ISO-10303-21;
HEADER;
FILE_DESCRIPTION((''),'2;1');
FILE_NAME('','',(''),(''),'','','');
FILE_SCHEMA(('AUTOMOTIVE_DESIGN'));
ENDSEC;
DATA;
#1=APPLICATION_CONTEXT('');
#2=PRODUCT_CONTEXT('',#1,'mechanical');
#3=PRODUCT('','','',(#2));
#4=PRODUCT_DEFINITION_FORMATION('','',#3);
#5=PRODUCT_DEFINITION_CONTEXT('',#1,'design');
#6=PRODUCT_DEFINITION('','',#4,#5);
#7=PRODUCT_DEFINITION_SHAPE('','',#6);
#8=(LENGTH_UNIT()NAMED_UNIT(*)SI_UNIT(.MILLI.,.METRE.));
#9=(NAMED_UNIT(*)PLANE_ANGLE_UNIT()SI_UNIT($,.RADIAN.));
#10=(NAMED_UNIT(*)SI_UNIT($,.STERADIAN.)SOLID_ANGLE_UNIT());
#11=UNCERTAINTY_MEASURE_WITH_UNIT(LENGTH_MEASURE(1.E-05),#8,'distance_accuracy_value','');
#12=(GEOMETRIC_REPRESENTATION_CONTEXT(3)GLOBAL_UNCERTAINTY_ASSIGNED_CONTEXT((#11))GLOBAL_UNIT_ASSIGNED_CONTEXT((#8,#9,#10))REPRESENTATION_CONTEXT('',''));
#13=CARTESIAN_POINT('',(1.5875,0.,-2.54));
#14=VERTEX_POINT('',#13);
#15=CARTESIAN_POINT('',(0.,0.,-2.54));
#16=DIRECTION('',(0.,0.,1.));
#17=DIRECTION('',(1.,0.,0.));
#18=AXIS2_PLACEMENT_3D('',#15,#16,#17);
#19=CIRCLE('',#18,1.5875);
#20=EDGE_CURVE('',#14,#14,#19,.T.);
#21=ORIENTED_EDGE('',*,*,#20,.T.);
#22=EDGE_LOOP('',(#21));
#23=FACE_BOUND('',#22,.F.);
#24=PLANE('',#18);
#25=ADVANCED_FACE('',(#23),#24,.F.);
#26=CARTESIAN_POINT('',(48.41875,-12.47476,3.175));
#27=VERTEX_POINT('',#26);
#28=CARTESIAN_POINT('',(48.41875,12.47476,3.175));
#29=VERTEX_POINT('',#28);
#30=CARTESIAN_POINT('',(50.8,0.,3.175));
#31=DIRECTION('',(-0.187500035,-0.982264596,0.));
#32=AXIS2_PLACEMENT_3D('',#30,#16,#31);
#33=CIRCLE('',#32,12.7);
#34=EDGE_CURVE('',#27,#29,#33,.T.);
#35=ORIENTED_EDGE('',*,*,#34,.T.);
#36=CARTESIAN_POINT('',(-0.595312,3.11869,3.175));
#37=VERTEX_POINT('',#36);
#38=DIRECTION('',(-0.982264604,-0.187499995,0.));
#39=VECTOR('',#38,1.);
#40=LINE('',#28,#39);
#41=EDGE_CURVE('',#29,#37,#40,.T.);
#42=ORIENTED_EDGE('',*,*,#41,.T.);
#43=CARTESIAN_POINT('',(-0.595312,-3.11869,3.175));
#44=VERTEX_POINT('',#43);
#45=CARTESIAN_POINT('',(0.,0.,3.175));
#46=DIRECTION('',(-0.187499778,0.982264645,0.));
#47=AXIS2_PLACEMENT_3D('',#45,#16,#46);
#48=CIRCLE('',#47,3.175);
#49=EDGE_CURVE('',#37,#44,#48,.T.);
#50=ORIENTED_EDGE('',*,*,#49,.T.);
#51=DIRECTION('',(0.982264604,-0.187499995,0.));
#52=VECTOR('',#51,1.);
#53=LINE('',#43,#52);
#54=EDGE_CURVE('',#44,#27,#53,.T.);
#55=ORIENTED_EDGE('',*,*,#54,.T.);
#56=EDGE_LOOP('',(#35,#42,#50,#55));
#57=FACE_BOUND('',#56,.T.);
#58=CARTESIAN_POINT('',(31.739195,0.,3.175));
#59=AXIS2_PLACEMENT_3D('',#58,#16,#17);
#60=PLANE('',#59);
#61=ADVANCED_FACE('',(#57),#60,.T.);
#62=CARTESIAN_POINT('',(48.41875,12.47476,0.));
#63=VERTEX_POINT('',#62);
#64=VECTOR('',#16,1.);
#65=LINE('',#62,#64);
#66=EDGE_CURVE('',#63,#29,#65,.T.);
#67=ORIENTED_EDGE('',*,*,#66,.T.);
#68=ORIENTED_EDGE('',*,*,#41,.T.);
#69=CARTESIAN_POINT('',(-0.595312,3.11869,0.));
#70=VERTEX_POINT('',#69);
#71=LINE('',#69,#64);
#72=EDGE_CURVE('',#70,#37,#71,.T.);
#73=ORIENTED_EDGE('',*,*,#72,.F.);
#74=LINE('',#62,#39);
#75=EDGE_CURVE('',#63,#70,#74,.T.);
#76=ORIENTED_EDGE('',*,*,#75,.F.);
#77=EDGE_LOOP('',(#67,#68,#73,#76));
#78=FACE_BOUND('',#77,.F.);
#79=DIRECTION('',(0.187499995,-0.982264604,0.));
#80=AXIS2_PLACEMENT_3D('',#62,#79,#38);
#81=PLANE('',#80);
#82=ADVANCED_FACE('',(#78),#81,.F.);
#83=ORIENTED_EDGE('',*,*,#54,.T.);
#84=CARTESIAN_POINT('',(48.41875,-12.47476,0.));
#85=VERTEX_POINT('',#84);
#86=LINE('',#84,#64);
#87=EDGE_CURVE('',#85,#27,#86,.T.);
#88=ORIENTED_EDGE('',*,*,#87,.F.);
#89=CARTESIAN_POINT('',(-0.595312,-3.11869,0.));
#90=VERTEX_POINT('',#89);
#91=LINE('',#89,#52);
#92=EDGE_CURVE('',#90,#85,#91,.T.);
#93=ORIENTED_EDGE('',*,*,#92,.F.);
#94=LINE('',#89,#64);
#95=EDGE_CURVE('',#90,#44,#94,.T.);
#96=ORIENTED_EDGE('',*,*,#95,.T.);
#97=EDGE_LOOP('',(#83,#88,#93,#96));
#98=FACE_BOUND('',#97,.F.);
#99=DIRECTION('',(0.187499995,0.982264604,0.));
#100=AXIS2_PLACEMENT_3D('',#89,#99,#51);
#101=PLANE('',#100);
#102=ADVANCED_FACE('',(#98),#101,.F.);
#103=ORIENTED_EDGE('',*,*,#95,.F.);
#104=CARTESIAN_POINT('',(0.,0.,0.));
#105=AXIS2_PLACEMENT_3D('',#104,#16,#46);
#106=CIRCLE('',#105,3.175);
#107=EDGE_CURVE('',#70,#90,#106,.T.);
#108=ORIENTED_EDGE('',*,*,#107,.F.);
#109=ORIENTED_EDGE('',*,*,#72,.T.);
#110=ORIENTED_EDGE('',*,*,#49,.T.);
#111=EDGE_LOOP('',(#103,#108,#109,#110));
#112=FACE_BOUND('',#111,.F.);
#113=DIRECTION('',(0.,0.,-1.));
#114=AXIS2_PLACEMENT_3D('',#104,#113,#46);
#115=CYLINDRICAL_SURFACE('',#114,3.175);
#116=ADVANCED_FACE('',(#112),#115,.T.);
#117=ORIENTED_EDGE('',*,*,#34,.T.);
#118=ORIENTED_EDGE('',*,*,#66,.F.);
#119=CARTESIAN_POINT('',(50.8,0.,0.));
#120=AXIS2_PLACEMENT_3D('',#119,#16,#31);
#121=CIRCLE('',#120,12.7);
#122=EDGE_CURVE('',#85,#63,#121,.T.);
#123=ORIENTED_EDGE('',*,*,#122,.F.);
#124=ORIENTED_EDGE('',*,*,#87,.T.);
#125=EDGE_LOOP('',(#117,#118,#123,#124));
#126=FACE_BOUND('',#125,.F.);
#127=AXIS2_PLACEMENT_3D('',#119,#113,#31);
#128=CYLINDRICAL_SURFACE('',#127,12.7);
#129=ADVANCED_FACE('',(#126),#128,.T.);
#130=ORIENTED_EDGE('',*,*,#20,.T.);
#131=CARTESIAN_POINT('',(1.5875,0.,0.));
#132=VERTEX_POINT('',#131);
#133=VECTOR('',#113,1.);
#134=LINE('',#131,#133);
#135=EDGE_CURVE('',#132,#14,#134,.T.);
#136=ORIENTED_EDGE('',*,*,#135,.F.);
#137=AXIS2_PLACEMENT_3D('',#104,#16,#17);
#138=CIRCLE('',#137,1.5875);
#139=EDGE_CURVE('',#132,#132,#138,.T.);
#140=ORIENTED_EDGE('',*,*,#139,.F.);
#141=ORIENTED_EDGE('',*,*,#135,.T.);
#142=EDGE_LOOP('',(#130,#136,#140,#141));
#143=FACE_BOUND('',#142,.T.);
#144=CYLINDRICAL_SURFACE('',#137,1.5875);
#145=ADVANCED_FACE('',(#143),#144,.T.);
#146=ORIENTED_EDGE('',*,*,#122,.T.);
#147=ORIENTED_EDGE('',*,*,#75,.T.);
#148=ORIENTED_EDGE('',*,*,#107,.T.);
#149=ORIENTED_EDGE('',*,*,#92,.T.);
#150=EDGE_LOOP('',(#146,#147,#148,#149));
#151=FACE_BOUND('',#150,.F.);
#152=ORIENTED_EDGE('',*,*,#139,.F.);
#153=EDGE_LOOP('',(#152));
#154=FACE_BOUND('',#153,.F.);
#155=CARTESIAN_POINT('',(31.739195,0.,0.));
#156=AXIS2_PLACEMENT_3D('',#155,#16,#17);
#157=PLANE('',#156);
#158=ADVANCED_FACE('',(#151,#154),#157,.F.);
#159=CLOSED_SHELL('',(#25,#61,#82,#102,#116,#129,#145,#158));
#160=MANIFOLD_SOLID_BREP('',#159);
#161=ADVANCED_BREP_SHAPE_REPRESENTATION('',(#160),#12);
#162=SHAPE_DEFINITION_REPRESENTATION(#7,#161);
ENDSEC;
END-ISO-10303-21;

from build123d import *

# Parameters (mm, degrees)
F0_R     = 1.5875
F1_DEPTH = 3.175
F2_DEPTH = 2.54


with BuildPart() as f1:
    # F0 (on Top) → F1 (new body)
    with BuildSketch(Plane.XY):
        with BuildLine():
            Line((48.41875, 12.47476), (-0.595312, 3.11869))
            ThreePointArc((-0.595312, 3.11869), (-3.175, 0), (-0.595312, -3.11869))
            Line((-0.595312, -3.11869), (48.41875, -12.47476))
            ThreePointArc((48.41875, -12.47476), (63.5, 0), (48.41875, 12.47476))
        make_face()
        Circle(F0_R, mode=Mode.SUBTRACT)
        Circle(F0_R)
    extrude(amount=F1_DEPTH)

    # F0 (on Top) → F2 (join)
    with BuildSketch(Plane.XY):
        Circle(F0_R)
    extrude(amount=-F2_DEPTH)


solid = f1.part
